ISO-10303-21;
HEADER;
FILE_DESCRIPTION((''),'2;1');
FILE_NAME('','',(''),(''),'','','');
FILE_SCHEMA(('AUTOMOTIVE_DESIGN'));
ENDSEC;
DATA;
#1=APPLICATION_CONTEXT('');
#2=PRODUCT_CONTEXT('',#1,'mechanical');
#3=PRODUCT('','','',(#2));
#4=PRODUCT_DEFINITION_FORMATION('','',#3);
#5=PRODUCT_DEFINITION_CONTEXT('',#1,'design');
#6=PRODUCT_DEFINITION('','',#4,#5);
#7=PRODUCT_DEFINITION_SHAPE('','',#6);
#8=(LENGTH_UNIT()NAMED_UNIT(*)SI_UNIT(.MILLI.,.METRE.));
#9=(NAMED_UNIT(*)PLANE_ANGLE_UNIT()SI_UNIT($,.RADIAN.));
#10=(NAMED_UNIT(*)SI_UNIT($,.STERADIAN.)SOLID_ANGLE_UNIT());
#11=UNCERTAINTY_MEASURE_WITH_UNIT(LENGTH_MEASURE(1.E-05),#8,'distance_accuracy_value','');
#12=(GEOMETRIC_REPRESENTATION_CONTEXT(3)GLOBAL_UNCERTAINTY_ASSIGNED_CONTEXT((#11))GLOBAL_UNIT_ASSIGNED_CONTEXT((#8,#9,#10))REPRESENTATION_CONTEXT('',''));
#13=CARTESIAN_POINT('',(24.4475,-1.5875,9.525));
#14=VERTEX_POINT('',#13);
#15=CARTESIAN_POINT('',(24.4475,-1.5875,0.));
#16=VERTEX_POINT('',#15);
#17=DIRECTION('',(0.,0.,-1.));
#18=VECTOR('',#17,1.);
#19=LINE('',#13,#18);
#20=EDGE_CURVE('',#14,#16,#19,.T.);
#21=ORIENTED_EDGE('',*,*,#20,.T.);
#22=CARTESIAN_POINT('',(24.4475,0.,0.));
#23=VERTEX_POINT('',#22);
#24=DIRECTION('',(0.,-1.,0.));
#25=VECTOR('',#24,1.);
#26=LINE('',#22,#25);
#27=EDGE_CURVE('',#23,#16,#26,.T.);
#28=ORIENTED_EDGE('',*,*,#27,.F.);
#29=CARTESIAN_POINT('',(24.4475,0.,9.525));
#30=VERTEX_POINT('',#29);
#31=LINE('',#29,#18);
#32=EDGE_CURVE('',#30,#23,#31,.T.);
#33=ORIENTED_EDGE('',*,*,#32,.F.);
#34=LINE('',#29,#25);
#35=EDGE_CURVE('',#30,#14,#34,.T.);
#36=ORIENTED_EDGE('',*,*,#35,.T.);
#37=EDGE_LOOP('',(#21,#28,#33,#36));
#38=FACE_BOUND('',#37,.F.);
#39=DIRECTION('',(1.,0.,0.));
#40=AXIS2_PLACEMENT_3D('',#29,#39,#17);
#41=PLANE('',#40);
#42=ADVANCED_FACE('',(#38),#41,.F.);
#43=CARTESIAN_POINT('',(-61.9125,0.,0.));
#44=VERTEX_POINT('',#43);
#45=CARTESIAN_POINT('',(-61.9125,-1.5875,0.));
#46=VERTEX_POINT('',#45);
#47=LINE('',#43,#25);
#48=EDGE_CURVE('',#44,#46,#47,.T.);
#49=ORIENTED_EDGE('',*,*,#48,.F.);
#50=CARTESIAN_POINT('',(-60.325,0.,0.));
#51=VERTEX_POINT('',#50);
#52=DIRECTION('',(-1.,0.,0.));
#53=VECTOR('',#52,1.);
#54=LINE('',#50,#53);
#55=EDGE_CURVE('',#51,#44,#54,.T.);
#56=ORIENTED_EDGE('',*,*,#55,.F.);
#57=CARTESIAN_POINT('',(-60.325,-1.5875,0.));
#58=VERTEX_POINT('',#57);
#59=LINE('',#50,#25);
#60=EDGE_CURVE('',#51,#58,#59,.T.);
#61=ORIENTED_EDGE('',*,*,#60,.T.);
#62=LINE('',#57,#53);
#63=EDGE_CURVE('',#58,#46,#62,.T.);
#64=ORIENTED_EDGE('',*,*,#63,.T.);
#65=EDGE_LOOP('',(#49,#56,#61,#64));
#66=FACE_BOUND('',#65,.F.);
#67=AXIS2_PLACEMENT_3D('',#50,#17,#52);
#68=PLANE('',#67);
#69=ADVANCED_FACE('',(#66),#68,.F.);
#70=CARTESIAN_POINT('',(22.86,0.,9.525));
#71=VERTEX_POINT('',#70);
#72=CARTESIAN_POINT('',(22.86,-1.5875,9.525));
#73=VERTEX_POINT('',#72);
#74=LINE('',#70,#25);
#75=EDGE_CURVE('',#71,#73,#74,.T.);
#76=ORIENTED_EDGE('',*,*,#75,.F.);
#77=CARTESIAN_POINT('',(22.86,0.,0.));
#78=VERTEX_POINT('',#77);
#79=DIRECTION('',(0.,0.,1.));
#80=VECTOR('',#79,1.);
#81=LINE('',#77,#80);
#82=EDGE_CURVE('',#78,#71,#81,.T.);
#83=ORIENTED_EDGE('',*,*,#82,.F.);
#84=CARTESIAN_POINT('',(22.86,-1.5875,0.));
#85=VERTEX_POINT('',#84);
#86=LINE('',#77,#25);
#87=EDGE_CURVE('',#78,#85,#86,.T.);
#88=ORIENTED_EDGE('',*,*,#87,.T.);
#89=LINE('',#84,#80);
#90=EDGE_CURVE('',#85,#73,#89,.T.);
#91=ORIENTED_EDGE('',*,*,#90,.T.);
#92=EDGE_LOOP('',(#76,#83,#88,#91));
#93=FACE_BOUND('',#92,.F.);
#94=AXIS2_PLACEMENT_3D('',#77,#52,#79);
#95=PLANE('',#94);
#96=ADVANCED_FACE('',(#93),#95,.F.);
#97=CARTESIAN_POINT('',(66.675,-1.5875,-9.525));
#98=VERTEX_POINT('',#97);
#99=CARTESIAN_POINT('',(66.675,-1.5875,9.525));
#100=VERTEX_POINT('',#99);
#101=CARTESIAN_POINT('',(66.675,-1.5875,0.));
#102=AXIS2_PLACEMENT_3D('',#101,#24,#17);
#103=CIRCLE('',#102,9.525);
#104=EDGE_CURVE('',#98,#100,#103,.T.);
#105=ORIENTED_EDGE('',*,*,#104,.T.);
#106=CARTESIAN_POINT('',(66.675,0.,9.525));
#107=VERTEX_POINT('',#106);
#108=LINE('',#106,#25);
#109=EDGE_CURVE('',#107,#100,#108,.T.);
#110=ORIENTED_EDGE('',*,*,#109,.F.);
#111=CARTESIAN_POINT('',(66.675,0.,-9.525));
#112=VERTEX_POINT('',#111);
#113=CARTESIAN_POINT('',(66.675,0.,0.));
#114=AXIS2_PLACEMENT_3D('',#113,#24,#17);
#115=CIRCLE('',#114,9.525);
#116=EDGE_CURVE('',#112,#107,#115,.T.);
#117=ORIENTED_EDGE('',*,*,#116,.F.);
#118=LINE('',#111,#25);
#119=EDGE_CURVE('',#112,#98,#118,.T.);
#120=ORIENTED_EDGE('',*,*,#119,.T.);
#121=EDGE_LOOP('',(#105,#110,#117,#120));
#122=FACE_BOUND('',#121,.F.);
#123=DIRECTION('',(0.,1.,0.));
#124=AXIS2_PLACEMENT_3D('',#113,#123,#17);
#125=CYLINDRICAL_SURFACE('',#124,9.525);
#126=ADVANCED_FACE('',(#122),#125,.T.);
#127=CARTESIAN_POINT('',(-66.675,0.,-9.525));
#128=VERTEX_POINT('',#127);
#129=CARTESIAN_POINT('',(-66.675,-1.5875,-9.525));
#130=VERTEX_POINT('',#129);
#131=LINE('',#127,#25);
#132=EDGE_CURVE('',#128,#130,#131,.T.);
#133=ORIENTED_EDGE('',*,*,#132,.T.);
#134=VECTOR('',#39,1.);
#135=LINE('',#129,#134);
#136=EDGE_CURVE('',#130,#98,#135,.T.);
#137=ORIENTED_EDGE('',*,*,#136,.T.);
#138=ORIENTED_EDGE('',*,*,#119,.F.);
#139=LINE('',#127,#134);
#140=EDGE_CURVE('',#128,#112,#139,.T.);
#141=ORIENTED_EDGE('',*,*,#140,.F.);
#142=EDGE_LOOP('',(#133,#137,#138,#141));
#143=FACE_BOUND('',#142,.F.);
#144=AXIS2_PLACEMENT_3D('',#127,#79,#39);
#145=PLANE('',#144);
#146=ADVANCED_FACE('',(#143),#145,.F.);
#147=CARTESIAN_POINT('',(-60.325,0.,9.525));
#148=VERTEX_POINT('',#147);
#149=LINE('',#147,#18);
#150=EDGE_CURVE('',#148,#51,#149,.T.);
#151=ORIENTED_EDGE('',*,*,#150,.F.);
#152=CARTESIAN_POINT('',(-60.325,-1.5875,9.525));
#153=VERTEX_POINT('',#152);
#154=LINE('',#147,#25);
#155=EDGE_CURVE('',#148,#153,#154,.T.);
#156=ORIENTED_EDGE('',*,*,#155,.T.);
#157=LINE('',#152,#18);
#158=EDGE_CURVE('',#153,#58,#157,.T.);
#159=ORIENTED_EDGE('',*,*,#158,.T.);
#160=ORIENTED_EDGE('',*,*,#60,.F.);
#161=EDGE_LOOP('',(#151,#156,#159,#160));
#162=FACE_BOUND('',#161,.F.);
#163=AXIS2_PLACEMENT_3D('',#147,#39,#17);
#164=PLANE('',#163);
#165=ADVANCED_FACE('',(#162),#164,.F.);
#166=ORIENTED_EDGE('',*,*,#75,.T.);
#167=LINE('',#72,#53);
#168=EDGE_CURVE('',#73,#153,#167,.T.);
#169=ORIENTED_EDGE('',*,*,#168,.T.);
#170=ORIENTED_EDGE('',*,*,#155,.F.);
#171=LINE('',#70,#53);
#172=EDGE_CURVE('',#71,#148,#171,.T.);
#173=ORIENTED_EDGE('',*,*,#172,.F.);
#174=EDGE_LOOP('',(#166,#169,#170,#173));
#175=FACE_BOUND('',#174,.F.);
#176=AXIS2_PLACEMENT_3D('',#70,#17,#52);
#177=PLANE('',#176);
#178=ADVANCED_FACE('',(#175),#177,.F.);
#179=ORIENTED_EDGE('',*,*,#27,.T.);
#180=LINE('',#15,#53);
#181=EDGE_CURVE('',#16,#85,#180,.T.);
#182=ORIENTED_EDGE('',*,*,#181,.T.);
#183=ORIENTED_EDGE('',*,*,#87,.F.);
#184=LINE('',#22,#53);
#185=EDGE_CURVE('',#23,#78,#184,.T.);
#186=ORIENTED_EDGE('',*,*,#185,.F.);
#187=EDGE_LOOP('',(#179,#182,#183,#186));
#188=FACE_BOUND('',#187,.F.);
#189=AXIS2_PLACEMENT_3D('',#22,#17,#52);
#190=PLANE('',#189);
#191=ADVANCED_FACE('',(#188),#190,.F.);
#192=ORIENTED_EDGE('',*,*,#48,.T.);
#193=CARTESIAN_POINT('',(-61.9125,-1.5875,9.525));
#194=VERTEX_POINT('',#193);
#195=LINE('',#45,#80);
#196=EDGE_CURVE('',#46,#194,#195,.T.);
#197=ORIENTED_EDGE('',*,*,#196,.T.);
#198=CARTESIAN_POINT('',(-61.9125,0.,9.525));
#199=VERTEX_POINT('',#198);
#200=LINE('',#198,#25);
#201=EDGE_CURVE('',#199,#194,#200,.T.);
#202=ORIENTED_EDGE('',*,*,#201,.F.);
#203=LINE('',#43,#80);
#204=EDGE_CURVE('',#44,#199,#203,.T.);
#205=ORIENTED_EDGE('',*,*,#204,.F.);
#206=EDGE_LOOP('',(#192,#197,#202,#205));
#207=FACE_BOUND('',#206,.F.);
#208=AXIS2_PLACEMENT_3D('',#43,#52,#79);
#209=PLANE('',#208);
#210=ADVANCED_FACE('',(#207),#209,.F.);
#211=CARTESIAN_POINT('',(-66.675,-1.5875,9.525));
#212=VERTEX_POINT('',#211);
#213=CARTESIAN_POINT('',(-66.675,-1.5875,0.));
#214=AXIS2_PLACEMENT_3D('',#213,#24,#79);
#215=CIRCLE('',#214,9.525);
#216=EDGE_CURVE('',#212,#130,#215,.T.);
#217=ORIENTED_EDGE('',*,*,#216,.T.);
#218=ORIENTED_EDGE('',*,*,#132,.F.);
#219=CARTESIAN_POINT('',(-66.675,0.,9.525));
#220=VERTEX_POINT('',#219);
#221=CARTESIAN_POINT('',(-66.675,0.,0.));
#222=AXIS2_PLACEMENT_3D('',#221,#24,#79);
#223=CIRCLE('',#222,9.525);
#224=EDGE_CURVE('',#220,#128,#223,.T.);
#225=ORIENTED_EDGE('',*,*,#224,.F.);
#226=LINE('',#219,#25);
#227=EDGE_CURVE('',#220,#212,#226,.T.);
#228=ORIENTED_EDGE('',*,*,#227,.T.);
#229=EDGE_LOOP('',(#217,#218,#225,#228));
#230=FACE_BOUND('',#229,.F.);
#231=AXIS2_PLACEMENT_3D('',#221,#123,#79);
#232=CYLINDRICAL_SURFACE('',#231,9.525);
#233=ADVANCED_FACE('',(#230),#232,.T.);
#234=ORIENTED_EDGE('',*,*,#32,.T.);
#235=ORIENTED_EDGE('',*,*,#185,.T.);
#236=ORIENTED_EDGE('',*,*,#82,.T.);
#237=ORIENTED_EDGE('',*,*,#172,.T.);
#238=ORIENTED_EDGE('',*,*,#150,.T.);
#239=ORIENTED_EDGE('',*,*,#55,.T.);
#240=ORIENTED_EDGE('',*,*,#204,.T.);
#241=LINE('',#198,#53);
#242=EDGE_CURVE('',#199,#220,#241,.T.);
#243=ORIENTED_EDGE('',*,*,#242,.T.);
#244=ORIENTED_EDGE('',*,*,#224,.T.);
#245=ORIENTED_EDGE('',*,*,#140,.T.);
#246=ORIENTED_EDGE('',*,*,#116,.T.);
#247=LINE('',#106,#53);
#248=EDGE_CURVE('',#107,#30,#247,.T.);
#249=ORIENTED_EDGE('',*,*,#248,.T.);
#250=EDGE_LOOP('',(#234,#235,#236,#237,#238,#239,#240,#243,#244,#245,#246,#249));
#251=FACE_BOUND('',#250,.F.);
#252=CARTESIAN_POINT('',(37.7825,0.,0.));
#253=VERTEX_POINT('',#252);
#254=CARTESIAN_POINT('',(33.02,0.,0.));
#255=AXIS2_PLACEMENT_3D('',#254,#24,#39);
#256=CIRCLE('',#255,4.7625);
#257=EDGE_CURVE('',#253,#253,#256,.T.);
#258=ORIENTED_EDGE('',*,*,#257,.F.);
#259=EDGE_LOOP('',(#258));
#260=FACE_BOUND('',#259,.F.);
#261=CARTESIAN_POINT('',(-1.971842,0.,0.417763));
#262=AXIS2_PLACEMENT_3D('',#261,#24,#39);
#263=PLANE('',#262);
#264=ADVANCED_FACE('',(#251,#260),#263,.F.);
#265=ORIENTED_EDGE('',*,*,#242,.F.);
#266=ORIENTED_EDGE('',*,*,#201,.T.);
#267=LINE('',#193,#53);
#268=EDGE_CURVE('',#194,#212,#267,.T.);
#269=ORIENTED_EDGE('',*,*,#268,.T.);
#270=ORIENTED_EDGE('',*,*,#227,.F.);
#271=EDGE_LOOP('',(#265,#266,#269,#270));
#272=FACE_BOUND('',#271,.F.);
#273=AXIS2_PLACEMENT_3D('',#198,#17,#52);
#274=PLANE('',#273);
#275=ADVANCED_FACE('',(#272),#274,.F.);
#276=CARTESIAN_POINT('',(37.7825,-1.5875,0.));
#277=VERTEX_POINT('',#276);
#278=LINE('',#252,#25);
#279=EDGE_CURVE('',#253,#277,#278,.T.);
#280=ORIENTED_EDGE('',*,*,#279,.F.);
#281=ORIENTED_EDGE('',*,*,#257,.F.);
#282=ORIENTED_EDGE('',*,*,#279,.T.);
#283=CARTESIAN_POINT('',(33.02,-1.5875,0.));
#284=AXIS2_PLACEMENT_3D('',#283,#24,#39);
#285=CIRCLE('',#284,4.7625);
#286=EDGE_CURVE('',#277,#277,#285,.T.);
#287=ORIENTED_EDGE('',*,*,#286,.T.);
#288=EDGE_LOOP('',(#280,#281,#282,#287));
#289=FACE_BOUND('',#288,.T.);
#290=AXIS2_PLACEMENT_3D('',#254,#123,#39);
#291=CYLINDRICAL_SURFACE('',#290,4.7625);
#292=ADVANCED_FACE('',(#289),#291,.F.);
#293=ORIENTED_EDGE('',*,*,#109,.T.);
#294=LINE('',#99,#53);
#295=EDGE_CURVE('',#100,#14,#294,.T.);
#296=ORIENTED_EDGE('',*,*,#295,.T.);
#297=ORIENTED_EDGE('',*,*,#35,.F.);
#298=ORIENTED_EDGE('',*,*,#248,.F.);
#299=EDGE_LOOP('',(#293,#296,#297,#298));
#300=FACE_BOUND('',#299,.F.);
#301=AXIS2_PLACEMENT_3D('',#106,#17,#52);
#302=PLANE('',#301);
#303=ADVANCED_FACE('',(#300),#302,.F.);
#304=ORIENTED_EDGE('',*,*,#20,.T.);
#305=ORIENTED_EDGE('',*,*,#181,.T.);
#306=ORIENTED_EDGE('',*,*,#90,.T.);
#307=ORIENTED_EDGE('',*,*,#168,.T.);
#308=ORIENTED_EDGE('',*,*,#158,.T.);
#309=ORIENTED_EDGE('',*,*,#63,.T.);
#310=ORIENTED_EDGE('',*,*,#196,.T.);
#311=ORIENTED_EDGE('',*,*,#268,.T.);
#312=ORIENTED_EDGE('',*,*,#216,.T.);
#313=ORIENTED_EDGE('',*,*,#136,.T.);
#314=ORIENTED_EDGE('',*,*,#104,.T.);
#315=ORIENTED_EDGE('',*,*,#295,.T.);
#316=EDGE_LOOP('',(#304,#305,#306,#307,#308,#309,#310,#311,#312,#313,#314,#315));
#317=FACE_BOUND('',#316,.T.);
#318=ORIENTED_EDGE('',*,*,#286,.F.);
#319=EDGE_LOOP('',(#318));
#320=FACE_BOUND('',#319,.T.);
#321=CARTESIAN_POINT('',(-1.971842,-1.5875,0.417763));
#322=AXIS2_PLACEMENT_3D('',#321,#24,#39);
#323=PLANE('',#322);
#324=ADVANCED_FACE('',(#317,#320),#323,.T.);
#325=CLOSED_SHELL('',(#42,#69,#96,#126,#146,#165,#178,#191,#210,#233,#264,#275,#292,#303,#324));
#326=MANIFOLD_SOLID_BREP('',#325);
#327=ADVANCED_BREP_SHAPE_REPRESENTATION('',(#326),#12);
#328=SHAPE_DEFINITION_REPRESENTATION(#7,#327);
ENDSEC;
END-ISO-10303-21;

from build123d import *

# Parameters (mm, degrees)
F0_R     = 4.7625
F1_DEPTH = 1.5875


with BuildPart() as f1:
    # F0 (on Front) → F1 (new body)
    with BuildSketch(Plane.XZ):
        with BuildLine():
            Line((-66.675, -9.525), (66.675, -9.525))
            ThreePointArc((66.675, -9.525), (76.2, 0), (66.675, 9.525))
            Line((66.675, 9.525), (24.4475, 9.525))
            Line((24.4475, 9.525), (24.4475, 0))
            Line((24.4475, 0), (22.86, 0))
            Line((22.86, 0), (22.86, 9.525))
            Line((22.86, 9.525), (-60.325, 9.525))
            Line((-60.325, 9.525), (-60.325, 0))
            Line((-60.325, 0), (-61.9125, 0))
            Line((-61.9125, 0), (-61.9125, 9.525))
            Line((-61.9125, 9.525), (-66.675, 9.525))
            ThreePointArc((-66.675, 9.525), (-76.2, 0), (-66.675, -9.525))
        make_face()
        with Locations((33.02, 0)):
            Circle(F0_R, mode=Mode.SUBTRACT)
    extrude(amount=F1_DEPTH)


solid = f1.part
